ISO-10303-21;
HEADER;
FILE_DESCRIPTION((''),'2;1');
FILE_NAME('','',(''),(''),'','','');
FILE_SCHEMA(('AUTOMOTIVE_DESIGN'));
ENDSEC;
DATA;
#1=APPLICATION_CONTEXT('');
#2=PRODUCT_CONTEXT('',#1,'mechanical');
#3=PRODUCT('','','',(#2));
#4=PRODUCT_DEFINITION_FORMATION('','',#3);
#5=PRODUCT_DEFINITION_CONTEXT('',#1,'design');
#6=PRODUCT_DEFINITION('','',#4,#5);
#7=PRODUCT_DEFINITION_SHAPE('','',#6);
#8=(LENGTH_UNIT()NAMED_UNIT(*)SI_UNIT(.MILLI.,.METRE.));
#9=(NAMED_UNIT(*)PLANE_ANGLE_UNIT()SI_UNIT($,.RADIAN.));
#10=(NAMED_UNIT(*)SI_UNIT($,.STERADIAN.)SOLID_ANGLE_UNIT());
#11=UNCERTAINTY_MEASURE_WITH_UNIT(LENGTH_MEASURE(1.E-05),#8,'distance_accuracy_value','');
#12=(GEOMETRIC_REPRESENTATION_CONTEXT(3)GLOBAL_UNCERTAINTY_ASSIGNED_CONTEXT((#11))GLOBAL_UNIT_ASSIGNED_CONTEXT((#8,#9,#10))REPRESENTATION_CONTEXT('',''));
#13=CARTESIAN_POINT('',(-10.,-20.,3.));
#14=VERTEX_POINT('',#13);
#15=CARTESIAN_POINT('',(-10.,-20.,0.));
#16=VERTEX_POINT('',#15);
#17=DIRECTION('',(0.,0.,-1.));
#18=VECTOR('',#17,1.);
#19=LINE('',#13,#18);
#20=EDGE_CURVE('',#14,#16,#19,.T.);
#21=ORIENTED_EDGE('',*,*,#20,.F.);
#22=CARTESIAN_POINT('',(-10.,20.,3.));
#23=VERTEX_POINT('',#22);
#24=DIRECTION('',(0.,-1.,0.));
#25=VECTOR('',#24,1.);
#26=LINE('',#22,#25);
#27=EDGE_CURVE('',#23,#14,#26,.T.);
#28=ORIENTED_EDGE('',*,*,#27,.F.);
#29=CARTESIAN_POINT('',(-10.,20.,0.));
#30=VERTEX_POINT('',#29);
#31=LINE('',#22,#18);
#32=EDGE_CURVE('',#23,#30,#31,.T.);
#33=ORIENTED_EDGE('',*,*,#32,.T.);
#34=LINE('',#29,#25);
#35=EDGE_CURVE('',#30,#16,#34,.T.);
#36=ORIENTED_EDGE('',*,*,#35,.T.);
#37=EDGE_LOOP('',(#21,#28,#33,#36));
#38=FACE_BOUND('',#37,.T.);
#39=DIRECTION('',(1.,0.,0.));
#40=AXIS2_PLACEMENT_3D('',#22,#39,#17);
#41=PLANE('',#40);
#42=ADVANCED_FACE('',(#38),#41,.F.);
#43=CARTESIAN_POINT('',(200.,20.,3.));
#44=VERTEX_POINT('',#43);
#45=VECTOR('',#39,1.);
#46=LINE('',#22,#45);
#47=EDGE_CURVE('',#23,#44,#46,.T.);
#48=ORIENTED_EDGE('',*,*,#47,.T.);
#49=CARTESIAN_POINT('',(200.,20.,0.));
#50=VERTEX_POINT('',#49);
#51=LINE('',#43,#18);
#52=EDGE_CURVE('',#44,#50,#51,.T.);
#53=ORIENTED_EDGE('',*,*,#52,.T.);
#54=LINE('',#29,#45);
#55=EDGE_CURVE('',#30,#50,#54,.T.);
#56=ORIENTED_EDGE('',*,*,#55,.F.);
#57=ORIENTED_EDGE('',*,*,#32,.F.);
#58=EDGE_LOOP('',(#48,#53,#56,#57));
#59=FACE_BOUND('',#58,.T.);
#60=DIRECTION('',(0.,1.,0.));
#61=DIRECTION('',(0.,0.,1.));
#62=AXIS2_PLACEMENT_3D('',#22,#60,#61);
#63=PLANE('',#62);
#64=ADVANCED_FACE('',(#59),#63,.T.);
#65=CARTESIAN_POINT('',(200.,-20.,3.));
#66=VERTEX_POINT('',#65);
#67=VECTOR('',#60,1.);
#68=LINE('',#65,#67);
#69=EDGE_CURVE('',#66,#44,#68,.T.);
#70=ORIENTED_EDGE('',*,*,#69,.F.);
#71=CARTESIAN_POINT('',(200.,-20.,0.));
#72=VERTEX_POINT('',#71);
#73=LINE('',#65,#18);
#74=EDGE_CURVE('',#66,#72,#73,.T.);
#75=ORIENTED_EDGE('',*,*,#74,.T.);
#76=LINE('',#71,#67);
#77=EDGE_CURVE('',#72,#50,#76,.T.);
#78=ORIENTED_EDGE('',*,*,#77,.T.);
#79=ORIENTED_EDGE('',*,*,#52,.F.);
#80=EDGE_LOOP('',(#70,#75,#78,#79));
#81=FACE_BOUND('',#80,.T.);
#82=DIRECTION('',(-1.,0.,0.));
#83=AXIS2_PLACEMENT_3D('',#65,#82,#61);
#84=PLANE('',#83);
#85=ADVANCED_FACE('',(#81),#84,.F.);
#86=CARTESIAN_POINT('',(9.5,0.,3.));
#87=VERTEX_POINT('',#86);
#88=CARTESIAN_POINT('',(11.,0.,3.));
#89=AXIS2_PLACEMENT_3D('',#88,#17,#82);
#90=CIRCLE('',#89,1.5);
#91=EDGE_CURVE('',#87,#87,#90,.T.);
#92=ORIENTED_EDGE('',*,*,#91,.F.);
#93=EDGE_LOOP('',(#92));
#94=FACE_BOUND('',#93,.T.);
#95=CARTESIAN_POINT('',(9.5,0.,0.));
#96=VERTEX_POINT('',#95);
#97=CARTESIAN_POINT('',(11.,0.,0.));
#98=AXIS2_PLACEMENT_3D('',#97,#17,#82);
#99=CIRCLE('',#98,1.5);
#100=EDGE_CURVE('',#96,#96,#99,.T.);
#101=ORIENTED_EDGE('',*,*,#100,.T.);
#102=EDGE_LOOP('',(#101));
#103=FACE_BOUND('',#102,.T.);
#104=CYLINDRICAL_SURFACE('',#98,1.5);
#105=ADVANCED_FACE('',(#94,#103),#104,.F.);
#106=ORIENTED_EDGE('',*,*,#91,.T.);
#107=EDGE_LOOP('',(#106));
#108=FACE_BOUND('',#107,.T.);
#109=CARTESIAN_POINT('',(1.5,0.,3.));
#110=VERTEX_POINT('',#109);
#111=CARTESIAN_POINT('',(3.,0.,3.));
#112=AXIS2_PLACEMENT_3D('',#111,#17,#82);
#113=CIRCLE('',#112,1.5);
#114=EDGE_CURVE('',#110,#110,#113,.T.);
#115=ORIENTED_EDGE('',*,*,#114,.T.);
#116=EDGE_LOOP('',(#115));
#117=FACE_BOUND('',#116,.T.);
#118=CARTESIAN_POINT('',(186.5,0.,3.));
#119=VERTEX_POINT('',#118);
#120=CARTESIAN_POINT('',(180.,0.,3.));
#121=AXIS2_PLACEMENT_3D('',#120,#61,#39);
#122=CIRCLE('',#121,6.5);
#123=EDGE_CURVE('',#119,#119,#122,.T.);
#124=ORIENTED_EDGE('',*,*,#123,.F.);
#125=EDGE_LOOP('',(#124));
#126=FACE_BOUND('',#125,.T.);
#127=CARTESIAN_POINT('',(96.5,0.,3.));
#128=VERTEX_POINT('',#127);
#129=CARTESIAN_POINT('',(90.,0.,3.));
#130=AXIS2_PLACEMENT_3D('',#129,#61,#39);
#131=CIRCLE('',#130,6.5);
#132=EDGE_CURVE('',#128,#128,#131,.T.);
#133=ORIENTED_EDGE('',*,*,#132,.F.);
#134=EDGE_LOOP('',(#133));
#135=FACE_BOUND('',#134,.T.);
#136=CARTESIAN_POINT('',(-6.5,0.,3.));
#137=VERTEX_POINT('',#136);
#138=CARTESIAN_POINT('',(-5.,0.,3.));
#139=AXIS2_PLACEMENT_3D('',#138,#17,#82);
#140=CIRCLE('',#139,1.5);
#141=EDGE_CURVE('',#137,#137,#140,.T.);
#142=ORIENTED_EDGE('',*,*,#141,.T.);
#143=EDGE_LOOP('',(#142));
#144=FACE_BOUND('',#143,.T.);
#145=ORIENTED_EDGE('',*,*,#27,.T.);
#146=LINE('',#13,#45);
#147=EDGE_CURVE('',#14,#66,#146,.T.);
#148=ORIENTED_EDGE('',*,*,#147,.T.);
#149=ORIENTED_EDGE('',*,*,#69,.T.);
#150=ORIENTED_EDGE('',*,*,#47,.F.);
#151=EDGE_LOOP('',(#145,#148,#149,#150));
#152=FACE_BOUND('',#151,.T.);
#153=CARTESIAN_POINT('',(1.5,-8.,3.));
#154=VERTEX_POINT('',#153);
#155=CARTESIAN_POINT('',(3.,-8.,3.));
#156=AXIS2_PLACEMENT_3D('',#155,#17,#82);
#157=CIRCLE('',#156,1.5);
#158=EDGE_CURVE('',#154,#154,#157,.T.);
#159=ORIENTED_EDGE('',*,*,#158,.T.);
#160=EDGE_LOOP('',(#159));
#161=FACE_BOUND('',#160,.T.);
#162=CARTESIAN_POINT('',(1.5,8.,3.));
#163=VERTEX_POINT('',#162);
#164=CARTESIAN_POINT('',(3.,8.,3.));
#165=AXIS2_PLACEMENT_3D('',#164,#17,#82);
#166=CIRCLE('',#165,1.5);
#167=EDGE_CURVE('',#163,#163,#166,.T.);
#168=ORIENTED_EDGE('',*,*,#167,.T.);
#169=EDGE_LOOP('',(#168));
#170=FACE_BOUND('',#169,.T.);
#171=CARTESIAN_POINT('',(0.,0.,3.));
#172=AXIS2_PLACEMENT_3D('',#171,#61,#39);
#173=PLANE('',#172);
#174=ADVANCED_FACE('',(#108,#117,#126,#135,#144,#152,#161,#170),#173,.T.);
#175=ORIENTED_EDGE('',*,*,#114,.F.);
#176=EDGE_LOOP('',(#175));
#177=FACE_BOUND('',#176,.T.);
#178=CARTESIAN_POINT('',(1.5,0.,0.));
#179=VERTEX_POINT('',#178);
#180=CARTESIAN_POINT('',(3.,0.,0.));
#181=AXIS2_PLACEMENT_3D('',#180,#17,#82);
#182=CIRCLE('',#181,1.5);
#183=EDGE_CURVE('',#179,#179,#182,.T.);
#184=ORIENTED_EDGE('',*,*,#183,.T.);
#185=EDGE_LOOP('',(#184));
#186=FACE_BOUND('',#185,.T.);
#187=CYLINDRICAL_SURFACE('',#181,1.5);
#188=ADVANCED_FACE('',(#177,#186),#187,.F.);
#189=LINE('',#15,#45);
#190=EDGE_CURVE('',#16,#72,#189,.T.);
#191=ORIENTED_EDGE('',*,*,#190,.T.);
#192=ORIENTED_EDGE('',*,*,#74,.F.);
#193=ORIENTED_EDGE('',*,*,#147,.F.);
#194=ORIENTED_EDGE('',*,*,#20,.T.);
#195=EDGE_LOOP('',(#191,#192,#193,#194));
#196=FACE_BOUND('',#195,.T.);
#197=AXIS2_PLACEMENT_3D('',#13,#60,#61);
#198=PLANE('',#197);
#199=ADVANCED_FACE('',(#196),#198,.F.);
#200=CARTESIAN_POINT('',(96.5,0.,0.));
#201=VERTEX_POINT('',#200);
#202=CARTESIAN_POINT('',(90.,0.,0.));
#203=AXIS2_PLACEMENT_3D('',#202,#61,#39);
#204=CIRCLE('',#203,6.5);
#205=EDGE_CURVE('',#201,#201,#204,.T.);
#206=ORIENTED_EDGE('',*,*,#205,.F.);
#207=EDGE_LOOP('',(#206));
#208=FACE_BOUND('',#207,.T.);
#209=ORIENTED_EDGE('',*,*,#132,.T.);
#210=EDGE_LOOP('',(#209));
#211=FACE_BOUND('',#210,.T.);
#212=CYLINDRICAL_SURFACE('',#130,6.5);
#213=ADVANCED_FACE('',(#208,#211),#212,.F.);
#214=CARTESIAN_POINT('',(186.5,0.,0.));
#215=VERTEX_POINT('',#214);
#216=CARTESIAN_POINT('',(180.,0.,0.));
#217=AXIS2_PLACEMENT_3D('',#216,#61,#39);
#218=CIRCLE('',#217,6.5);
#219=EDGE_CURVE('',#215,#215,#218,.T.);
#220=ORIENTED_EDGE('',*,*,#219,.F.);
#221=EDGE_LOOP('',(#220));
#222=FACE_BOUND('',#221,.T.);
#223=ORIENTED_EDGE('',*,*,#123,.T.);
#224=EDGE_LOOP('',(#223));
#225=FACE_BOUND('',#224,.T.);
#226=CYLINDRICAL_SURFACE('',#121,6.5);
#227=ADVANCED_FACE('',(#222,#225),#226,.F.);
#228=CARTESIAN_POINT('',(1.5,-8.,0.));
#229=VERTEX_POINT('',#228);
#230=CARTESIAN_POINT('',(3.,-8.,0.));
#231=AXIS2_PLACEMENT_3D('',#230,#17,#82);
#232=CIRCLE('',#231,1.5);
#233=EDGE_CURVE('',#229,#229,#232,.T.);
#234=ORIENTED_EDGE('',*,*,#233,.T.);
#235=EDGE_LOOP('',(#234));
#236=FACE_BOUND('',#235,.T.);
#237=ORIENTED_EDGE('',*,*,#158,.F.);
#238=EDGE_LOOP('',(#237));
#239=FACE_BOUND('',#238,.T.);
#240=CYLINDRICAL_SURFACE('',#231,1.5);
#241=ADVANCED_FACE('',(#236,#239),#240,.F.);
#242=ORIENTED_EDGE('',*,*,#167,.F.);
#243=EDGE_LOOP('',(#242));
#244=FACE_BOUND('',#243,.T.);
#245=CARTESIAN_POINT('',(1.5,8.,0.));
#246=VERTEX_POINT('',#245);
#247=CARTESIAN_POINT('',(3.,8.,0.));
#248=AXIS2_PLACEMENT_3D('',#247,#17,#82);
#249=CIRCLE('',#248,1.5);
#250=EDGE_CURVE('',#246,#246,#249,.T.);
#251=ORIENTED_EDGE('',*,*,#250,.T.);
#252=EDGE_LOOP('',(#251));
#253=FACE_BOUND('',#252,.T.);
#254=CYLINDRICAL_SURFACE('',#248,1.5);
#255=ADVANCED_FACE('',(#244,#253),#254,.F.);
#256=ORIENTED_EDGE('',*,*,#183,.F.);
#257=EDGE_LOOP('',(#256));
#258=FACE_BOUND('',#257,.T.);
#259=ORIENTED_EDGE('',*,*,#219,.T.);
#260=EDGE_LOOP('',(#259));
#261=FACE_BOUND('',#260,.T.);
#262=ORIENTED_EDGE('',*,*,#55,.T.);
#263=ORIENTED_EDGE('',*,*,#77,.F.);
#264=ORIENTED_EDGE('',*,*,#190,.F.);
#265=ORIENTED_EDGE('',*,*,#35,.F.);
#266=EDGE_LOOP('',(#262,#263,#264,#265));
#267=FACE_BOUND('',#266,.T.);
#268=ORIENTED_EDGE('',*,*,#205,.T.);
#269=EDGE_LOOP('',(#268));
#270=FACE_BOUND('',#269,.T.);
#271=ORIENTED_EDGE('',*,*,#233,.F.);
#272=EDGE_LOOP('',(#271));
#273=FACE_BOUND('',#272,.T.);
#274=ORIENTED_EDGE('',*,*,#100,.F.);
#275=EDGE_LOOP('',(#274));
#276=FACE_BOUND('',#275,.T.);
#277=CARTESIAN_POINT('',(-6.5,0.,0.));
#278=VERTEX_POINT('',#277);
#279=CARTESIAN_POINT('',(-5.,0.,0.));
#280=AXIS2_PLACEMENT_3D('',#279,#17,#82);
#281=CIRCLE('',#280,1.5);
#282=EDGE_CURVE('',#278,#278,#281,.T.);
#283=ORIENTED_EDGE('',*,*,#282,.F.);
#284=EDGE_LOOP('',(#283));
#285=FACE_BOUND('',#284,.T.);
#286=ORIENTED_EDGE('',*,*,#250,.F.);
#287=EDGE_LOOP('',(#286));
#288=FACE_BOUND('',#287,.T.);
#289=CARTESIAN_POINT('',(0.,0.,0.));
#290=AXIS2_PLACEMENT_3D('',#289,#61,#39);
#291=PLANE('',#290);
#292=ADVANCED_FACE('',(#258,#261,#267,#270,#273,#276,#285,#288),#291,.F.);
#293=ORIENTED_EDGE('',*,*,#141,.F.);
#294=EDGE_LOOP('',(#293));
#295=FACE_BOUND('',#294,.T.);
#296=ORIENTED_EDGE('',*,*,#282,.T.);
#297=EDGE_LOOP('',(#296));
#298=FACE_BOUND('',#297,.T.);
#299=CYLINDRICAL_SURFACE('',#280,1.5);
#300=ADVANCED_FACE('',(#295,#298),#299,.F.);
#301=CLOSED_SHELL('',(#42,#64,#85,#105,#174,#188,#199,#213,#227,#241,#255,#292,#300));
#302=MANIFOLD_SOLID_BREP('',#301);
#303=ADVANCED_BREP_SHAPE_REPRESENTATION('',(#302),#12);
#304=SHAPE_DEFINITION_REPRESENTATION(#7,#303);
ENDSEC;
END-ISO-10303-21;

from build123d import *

# Parameters (mm, degrees)
SKETCH1_W                  = 210
SKETCH1_H                  = 40
BOSS_EXTRUDE1_DEPTH        = 3
F_3_0_3_DIAMETER_HOLE2_D   = 3
F_13_0_13_DIAMETER_HOLE1_D = 13


with BuildPart() as part:
    # Sketch1 → Boss-Extrude1 (new body)
    with BuildSketch(Plane.XY):
        with Locations((95, 0)):
            Rectangle(SKETCH1_W, SKETCH1_H)
    extrude(amount=BOSS_EXTRUDE1_DEPTH)

    # Ø3.0 (3) Diameter Hole2 (through all)
    with Locations(Plane(origin=(0, 0, 0), x_dir=(-1, 0, 0), z_dir=(0, 0, -1))):
        with Locations((-3, 8), (-11, 0), (5, 0), (-3, -8), (-3, 0)):
            Hole(F_3_0_3_DIAMETER_HOLE2_D / 2)

    # Ø13.0 (13) Diameter Hole1 (through all)
    with Locations(Plane.XY.offset(3)):
        with Locations((90, 0), (180, 0)):
            Hole(F_13_0_13_DIAMETER_HOLE1_D / 2)


solid = part.part
